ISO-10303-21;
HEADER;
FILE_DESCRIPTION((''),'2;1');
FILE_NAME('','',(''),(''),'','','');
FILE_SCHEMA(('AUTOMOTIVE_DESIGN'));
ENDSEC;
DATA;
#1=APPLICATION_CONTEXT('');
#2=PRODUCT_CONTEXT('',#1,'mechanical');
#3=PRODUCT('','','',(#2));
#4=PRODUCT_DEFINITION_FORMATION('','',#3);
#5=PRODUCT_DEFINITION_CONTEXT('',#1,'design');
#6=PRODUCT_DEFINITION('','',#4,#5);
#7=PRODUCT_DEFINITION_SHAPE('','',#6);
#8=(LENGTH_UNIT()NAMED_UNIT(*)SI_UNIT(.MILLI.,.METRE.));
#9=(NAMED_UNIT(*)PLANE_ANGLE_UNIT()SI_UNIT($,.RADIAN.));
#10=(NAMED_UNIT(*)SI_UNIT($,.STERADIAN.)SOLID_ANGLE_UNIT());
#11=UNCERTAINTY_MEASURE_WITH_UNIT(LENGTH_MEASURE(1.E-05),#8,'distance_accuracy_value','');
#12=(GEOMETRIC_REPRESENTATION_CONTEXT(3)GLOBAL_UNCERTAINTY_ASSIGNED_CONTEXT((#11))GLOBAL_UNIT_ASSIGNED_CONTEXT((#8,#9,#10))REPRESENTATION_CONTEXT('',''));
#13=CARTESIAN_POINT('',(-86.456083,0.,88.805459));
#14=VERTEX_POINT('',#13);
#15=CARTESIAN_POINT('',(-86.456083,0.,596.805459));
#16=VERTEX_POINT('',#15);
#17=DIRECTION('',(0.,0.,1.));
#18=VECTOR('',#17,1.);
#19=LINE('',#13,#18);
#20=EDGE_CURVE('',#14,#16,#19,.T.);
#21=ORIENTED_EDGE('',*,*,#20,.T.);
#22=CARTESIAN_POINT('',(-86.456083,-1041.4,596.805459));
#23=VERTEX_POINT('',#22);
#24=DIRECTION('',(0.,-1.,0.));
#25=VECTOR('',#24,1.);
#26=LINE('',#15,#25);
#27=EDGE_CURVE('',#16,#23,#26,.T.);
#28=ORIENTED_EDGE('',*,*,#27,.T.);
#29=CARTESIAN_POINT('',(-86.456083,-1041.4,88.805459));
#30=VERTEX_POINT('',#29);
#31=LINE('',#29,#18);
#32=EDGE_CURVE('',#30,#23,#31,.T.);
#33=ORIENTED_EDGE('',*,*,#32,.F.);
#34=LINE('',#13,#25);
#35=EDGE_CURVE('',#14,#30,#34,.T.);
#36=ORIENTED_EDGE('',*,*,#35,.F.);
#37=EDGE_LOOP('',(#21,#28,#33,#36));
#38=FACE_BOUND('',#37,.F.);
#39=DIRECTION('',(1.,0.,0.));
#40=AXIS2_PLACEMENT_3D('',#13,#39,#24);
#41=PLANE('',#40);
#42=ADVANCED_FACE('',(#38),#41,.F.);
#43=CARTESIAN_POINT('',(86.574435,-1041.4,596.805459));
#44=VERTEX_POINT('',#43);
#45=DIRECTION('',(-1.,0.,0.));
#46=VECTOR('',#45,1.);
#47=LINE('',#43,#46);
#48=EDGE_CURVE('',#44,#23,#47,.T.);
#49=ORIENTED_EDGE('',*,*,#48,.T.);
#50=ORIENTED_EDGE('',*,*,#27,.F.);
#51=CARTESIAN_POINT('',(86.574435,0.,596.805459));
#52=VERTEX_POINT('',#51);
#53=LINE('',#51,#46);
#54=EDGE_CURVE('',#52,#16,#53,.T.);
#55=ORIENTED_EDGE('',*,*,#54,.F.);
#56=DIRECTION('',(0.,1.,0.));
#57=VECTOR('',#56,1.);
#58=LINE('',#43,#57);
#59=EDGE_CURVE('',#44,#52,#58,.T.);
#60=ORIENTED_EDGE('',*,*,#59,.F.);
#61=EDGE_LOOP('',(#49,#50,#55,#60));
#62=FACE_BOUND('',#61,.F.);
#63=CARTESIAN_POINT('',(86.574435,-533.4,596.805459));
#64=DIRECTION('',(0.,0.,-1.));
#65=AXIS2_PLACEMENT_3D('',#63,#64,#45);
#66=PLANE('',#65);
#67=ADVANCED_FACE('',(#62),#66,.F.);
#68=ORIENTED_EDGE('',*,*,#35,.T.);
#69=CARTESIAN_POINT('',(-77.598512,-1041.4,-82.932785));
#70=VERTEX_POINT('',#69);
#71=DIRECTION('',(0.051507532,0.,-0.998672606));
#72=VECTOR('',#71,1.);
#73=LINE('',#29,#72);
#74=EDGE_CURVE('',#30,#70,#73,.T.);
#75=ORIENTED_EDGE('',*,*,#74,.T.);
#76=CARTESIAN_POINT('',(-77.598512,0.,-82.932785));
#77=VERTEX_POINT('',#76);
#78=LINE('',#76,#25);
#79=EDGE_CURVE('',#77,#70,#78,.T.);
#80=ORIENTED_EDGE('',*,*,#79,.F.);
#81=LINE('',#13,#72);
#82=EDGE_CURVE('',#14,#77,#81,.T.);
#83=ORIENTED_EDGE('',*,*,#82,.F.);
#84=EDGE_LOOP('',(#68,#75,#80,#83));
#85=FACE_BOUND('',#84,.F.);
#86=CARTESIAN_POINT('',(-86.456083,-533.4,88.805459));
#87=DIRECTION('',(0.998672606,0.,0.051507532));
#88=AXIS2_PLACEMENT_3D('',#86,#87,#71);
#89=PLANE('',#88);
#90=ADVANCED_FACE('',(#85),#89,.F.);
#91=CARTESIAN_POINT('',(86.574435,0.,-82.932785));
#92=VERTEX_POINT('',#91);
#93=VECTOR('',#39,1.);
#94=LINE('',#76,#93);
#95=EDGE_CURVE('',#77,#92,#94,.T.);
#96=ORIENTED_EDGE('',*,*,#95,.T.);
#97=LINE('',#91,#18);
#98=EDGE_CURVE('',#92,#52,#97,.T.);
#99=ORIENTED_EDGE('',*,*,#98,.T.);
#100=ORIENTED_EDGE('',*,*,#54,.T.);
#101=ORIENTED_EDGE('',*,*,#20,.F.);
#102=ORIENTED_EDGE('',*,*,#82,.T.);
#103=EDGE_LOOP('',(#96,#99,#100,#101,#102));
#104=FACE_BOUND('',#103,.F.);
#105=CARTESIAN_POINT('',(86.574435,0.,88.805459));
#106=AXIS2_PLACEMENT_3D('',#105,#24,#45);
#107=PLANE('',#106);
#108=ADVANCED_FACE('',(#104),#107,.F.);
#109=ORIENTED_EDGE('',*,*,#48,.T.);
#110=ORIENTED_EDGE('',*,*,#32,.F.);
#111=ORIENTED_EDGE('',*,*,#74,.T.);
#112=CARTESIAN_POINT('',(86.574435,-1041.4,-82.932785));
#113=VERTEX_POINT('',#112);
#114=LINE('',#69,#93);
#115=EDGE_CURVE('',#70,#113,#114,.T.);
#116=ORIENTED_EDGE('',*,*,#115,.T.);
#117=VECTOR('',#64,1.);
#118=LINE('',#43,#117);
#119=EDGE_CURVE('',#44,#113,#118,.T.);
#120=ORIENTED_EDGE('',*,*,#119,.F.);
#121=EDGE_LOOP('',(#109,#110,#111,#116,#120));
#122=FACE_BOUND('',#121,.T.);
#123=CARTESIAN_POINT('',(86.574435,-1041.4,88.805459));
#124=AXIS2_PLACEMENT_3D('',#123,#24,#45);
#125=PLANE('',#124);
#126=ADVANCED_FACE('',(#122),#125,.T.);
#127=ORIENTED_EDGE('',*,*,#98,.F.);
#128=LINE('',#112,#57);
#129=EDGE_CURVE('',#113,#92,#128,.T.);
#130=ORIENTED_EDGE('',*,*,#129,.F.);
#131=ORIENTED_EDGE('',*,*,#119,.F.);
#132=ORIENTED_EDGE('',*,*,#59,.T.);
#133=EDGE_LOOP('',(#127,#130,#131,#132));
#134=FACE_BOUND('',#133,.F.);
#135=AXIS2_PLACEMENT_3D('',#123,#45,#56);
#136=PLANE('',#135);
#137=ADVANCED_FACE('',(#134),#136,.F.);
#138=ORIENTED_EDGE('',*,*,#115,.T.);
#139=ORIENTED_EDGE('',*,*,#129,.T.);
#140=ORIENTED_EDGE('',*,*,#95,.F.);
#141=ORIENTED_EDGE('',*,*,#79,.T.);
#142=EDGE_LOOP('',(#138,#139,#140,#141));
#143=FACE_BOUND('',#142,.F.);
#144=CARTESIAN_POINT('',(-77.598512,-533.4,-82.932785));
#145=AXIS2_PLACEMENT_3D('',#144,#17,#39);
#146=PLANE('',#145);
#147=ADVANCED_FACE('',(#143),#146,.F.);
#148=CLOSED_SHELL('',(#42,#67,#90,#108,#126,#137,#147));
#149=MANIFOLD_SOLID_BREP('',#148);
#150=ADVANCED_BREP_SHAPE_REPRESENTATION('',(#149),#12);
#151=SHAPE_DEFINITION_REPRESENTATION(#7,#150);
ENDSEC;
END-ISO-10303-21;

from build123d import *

# Parameters (mm, degrees)
F1_DEPTH = 25.4
F2_DEPTH = 508
F3_DEPTH = 508
F4_DEPTH = 508


with BuildPart() as f1:
    # F0 (on Front) → F1 (new body)
    with BuildSketch(Plane.XZ):
        Polygon((86.5744352341, 88.8054594398), (-86.4560827613, 88.8054594398), (-77.5985121727, -82.9327851534), (86.5744352341, -82.9327851534), align=None)
    extrude(amount=F1_DEPTH)

    # F2 (add): a face of the model
    f2_faces = [f1.faces().sort_by_distance(p)[0] for p in [
        (2.2541798586, -25.4, 3.688199535),
    ]]
    extrude(f2_faces, amount=F2_DEPTH)

    # F3 (add): a face of the model
    f3_faces = [f1.faces().sort_by_distance(p)[0] for p in [
        (2.2541798586, -533.4, 3.688199535),
    ]]
    extrude(f3_faces, amount=F3_DEPTH)

    # F4 (add): a face of the model
    f4_faces = [f1.faces().sort_by_distance(p)[0] for p in [
        (0.0591762364, -520.7, 88.8054594398),
    ]]
    extrude(f4_faces, amount=F4_DEPTH)


solid = f1.part
